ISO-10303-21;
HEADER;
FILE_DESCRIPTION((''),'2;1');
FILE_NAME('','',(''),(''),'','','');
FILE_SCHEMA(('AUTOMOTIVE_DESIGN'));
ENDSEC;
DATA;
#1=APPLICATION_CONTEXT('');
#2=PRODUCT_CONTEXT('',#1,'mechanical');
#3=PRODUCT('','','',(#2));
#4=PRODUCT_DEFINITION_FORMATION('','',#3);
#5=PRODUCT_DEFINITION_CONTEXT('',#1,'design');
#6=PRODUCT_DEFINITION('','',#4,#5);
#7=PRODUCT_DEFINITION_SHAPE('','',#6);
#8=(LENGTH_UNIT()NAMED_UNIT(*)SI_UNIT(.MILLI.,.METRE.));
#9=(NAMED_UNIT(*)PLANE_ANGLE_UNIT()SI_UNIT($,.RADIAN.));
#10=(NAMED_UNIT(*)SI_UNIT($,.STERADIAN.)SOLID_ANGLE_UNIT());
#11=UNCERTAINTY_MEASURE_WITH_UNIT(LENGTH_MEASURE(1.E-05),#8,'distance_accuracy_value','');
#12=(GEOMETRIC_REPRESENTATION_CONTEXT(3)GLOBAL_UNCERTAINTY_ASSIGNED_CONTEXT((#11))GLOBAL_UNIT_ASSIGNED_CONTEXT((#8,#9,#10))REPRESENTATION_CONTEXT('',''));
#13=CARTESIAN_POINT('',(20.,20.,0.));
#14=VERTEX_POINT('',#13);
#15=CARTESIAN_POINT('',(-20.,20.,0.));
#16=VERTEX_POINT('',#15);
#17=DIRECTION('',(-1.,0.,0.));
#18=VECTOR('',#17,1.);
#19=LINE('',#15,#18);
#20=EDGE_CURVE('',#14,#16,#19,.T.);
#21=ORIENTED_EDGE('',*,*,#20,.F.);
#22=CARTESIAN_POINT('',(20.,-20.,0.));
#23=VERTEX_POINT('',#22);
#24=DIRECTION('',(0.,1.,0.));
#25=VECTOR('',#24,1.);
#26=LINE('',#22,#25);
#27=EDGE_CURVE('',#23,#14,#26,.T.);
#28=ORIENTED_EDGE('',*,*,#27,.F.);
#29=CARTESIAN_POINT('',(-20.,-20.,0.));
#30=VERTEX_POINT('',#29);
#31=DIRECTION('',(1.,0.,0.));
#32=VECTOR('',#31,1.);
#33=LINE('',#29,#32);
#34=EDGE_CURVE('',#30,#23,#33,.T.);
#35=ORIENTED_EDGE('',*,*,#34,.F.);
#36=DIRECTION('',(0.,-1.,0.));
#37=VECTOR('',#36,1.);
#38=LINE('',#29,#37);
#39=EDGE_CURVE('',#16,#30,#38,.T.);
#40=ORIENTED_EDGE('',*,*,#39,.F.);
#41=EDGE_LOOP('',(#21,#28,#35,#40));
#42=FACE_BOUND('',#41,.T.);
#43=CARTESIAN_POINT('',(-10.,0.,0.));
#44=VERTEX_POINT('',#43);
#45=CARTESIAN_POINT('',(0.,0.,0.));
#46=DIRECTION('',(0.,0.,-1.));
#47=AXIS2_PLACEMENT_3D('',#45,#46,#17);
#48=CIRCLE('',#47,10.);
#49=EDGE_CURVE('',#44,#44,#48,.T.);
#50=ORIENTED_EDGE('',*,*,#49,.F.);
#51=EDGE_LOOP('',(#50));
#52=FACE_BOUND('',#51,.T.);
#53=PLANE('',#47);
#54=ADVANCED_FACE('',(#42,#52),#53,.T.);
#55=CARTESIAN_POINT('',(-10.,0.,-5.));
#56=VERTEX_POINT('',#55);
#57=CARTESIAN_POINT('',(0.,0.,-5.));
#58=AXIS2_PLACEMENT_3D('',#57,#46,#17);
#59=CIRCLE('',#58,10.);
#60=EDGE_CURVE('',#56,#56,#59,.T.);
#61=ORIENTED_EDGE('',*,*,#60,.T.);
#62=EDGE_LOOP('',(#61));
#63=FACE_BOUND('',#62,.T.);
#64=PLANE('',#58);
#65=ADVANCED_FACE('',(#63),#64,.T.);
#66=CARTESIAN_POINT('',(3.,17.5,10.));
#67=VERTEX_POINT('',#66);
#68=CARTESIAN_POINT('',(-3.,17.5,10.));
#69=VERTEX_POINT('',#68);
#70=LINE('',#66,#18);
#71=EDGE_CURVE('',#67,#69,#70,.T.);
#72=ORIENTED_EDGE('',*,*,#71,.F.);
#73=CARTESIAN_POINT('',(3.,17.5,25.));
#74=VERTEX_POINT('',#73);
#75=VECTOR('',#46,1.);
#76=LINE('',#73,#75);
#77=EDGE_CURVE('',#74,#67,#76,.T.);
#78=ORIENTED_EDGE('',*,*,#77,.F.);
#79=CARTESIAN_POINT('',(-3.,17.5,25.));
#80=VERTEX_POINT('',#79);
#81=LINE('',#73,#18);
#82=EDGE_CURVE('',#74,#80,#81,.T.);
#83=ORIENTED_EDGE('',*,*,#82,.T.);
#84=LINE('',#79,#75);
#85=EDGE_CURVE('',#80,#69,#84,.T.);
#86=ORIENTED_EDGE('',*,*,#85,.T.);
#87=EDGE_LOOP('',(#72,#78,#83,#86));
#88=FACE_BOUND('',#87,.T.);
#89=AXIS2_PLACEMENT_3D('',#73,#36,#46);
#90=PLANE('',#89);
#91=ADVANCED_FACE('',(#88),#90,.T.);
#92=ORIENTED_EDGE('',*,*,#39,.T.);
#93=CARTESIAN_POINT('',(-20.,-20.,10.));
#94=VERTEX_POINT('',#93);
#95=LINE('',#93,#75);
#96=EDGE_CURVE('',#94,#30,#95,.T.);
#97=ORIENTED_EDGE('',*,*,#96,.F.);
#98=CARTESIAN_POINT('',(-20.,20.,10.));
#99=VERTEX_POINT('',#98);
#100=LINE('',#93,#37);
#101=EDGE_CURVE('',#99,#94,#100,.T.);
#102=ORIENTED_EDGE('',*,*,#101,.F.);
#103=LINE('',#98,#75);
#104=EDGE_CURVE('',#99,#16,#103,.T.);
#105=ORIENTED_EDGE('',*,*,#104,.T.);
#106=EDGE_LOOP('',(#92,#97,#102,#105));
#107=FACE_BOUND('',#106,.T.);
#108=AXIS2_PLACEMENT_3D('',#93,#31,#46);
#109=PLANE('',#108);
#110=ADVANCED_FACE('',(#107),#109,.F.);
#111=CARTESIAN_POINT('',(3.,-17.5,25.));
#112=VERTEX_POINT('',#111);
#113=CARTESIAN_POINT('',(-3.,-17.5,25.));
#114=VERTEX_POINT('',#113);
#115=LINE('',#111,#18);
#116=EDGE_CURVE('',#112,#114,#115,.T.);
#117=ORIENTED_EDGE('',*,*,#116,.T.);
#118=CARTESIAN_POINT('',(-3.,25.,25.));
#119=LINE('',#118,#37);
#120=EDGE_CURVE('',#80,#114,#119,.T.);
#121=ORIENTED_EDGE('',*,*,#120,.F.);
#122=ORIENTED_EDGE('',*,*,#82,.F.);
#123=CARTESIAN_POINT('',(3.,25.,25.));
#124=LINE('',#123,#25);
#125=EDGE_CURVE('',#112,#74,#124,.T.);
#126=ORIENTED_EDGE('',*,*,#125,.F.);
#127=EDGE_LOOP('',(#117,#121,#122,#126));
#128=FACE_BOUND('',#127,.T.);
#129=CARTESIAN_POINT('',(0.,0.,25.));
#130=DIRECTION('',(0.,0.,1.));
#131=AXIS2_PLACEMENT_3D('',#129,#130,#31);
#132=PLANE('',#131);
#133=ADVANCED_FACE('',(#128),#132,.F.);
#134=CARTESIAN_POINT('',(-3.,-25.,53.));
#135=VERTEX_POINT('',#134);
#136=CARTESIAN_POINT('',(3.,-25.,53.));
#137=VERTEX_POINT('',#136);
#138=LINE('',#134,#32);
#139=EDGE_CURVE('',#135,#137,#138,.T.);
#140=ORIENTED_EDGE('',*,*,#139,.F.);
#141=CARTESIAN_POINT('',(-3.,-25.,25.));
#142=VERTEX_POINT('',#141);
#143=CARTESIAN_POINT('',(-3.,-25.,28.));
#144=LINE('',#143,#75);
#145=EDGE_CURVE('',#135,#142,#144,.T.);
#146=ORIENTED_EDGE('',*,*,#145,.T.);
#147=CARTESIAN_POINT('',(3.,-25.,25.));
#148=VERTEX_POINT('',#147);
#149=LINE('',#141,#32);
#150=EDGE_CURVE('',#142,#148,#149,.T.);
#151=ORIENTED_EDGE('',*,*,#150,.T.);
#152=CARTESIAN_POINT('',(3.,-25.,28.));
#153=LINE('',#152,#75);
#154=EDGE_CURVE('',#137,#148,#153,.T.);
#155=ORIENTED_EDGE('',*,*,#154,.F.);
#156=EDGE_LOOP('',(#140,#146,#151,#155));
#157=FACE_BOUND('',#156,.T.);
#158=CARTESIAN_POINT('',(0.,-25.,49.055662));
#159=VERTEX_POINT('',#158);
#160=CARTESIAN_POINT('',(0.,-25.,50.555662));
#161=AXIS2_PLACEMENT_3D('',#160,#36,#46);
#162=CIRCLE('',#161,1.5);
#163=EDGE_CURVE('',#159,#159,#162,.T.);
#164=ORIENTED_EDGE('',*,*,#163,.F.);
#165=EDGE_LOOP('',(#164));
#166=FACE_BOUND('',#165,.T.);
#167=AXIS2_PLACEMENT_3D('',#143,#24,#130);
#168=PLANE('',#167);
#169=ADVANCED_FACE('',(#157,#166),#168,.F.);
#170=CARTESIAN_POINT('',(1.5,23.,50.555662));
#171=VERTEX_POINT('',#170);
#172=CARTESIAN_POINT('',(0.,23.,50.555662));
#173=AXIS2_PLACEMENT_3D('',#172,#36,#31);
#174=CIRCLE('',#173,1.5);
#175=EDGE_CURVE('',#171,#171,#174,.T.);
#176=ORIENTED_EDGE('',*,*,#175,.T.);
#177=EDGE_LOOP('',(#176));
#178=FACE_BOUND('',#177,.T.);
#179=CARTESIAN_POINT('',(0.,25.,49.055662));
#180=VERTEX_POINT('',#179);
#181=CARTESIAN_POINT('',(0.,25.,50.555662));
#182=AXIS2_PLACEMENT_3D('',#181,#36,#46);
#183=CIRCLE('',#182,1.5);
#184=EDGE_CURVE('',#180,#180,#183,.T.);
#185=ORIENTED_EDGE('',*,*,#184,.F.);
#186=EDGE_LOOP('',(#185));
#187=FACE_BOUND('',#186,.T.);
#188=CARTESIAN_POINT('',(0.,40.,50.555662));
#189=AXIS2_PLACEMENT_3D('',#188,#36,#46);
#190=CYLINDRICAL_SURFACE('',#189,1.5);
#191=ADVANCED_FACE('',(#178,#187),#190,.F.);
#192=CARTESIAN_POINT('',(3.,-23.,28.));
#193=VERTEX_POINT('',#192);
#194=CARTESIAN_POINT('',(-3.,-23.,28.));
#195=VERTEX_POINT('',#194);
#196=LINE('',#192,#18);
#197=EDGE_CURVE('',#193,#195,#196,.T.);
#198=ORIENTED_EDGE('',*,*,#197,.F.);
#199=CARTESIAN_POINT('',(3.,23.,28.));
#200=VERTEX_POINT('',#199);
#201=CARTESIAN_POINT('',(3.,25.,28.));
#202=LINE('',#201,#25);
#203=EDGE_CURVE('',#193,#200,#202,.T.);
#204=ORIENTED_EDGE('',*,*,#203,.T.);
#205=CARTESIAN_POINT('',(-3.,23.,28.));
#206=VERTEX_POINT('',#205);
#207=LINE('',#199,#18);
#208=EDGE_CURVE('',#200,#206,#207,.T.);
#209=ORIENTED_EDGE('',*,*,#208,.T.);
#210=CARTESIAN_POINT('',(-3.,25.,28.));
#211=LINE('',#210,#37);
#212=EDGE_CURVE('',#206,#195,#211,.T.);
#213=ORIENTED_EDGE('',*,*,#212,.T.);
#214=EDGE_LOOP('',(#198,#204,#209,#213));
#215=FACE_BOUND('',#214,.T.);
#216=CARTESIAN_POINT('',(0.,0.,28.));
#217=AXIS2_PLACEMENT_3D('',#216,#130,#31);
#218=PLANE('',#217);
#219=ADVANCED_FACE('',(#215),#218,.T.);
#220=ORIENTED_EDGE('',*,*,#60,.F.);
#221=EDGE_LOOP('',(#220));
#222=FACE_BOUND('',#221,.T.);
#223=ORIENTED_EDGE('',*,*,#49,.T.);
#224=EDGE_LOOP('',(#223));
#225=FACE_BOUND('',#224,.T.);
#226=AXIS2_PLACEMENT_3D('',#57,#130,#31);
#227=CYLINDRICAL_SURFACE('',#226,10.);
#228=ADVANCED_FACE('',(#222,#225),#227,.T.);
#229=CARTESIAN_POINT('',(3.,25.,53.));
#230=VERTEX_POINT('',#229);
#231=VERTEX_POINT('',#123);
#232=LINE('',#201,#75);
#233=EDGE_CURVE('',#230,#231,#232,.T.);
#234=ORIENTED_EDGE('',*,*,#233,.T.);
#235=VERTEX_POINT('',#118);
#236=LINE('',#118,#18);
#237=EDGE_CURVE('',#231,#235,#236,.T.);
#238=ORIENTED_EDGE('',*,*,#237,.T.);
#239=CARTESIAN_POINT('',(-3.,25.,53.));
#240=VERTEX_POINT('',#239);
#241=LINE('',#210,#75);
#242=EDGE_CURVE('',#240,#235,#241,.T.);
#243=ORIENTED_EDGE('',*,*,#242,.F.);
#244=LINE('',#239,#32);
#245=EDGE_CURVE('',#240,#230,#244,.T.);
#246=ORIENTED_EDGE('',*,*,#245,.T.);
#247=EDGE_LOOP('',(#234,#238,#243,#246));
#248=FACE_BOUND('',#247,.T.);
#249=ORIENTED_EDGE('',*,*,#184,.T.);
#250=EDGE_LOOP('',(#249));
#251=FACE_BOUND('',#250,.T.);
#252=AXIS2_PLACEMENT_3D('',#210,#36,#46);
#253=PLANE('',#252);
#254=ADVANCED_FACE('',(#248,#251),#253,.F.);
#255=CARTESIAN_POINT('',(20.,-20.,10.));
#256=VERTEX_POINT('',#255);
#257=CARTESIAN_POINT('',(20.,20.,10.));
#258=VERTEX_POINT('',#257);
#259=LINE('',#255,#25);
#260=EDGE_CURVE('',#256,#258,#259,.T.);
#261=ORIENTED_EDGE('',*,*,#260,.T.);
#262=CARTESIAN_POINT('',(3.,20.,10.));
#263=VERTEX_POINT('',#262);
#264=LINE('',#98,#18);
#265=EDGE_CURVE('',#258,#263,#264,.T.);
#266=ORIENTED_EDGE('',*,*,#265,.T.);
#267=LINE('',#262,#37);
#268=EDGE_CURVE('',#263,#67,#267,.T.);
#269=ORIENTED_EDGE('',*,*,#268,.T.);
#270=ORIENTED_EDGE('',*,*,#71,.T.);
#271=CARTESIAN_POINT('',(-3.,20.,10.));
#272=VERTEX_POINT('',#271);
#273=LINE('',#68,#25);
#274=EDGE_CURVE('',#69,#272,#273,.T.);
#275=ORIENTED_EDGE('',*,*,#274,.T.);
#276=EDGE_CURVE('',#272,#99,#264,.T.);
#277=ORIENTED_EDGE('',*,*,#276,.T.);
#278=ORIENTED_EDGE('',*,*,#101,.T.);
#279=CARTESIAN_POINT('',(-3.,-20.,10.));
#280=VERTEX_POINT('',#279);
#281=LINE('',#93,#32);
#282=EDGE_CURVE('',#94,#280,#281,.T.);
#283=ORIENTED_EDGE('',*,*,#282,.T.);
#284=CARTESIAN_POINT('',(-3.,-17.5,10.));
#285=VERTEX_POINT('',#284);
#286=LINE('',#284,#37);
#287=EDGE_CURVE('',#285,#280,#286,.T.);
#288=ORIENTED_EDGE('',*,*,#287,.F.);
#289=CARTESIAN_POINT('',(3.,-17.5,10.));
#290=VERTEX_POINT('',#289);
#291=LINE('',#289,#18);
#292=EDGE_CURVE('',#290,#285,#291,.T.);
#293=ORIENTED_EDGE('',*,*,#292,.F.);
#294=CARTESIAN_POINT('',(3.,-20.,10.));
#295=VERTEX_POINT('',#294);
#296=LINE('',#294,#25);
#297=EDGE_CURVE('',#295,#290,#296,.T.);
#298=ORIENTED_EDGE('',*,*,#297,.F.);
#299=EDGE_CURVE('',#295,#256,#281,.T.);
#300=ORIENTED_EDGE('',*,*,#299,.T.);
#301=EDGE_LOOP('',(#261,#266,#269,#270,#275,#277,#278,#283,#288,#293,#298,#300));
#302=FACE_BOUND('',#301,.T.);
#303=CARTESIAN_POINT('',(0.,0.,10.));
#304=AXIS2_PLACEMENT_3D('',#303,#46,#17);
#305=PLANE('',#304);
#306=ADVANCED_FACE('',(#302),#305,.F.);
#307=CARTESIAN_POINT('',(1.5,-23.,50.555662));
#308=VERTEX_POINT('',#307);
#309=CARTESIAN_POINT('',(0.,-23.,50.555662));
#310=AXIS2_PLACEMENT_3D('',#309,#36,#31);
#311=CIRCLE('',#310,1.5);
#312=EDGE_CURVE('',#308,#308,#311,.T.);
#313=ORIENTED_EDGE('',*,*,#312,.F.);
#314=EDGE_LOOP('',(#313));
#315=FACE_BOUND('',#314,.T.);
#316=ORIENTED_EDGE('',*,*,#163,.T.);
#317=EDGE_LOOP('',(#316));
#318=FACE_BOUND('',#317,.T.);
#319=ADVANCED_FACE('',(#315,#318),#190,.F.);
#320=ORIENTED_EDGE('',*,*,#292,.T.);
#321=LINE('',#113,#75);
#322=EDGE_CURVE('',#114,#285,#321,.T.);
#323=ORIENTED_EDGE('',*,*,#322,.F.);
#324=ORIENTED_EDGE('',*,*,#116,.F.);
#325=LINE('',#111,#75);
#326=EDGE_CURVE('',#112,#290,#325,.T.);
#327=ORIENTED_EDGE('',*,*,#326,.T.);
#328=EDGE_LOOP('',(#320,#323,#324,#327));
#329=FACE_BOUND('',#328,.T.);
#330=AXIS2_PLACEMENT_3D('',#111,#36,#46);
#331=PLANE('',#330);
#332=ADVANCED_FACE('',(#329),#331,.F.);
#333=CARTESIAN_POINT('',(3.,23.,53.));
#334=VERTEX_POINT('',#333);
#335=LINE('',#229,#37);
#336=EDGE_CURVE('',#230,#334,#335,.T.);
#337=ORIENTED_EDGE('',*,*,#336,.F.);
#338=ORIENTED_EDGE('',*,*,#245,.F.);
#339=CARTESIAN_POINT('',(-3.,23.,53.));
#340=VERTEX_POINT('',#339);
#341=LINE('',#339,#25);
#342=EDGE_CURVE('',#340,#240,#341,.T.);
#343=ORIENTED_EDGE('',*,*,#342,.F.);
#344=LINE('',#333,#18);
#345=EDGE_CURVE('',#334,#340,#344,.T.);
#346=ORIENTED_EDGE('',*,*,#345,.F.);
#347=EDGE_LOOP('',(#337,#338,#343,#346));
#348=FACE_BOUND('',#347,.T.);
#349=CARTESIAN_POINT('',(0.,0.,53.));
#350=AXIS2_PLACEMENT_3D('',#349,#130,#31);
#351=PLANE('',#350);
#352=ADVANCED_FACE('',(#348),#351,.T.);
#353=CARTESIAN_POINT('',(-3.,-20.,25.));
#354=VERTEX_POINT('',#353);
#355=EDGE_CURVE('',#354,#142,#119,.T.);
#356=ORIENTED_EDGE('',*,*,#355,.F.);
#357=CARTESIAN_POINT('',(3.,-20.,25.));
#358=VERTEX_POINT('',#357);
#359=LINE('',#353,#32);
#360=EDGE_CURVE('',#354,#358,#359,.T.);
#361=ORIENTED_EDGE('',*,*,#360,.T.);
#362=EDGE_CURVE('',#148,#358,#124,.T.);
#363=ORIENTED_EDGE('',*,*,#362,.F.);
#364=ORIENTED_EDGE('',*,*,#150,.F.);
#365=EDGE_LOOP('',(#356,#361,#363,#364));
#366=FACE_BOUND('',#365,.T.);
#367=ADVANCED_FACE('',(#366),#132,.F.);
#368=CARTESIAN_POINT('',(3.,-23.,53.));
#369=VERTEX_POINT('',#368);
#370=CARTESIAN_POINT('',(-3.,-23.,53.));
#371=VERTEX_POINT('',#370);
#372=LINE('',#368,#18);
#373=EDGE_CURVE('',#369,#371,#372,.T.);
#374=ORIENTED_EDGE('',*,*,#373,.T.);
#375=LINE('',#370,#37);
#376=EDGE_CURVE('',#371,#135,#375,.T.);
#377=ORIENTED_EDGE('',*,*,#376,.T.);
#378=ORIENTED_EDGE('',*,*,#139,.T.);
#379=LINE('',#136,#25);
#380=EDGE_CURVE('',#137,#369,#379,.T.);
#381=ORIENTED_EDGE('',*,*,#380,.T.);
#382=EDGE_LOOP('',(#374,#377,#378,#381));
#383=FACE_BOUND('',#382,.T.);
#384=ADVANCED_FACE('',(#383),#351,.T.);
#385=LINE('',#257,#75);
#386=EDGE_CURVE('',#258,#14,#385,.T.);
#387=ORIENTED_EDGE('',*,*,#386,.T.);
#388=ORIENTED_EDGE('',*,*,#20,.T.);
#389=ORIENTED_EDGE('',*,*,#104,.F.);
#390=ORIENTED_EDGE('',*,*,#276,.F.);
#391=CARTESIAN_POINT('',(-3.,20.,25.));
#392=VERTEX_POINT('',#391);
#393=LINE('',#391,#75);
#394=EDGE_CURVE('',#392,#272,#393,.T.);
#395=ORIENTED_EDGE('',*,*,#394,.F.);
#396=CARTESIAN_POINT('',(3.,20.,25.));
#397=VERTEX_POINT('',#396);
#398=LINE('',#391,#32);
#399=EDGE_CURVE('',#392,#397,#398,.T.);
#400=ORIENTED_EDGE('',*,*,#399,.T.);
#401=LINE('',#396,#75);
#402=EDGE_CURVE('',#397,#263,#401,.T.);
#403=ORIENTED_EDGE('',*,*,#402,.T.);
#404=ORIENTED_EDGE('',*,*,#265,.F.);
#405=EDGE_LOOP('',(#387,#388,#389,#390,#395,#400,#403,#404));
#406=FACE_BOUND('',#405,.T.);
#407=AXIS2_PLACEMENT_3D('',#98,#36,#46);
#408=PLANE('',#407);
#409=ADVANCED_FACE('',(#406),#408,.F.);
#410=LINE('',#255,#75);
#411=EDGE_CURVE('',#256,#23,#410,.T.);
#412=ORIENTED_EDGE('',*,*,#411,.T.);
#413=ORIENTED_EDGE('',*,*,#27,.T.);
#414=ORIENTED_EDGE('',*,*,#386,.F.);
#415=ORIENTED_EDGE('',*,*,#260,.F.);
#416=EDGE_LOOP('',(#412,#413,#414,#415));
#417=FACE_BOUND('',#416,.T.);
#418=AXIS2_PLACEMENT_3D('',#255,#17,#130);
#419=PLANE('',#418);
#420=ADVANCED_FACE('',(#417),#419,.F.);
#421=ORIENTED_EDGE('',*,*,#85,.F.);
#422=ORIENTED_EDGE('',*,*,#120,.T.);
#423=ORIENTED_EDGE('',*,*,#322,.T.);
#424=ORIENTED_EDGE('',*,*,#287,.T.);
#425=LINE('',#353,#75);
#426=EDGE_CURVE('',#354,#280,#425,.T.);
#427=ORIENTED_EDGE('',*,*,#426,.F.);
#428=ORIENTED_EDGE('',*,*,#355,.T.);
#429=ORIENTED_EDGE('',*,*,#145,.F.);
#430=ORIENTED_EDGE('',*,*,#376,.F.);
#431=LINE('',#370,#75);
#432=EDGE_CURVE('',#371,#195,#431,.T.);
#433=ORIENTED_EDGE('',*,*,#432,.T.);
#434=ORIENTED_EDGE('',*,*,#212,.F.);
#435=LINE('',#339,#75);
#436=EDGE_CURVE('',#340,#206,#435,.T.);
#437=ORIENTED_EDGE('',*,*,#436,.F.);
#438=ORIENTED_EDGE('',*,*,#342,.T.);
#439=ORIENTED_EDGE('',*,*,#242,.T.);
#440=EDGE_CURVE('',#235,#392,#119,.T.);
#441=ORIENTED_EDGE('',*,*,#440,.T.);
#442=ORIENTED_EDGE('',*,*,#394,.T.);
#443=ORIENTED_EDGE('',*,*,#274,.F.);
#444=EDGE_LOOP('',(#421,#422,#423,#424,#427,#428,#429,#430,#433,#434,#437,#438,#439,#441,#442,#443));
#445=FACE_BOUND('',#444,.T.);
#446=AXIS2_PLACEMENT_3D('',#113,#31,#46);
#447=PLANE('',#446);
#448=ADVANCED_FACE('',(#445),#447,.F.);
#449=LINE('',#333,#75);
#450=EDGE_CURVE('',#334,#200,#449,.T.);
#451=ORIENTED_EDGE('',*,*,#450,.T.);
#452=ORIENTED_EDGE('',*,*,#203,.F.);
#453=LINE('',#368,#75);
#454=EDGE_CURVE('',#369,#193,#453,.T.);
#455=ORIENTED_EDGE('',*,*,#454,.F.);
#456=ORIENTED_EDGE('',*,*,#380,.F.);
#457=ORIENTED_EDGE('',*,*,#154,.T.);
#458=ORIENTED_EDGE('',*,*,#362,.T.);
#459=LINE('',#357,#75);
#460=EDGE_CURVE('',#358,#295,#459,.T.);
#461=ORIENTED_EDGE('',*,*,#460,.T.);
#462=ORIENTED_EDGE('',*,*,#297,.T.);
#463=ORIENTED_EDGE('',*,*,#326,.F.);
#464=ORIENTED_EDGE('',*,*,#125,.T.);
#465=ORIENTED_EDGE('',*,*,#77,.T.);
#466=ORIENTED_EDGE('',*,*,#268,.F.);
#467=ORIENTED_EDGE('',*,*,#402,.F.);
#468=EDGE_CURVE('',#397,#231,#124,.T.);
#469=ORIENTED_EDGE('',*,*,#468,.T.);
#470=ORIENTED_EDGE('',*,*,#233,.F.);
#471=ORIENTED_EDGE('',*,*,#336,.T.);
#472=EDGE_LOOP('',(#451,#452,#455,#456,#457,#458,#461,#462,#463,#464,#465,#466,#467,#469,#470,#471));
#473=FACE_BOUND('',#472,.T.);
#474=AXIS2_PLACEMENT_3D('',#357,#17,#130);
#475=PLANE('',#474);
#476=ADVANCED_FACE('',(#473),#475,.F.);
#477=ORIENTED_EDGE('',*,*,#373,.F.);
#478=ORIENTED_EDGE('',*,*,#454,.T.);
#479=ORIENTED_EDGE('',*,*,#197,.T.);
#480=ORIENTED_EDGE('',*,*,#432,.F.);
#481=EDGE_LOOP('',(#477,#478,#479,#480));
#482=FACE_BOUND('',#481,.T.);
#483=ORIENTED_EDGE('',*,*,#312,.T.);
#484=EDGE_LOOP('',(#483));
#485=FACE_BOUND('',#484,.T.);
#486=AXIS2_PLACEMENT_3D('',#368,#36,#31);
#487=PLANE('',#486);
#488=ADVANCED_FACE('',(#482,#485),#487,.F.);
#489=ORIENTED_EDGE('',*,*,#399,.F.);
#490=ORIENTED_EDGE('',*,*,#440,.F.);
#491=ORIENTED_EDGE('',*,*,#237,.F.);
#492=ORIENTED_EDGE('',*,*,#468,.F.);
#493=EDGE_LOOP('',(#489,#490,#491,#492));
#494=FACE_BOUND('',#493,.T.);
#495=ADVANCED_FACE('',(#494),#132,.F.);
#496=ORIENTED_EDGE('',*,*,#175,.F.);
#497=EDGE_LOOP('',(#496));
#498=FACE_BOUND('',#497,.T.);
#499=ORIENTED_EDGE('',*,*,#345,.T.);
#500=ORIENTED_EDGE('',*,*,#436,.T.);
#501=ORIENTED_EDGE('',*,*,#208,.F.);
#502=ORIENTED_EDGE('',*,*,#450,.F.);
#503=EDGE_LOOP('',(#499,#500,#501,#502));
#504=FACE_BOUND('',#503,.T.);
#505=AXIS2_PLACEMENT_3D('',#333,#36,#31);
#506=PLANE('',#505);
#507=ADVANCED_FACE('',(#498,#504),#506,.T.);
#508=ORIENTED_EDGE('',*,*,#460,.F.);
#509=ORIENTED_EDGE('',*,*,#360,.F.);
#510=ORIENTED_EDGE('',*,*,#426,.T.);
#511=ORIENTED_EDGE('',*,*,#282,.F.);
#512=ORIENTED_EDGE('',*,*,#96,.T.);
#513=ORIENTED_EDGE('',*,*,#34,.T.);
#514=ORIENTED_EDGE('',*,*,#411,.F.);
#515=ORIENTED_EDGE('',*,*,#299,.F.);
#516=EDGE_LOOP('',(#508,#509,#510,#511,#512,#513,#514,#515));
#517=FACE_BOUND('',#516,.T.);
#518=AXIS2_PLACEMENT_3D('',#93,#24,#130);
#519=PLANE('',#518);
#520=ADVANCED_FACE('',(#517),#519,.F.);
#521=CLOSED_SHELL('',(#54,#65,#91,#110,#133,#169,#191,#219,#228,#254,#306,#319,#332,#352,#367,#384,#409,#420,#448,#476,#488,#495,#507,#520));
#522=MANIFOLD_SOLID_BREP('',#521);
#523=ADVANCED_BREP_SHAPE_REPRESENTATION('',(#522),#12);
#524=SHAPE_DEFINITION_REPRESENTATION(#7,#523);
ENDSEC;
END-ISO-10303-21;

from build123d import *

# Parameters (mm, degrees)
SKETCH1_W           = 40
SKETCH1_H           = 40
BOSS_EXTRUDE1_DEPTH = 10
BOSS_EXTRUDE2_DEPTH = 15
SKETCH6_W           = 6
SKETCH6_H           = 50
BOSS_EXTRUDE4_DEPTH = 3
SKETCH7_W           = 6
SKETCH7_H           = 2
BOSS_EXTRUDE5_DEPTH = 25
SKETCH8_R           = 1.5
CUT_EXTRUDE1_DEPTH  = 65
SKETCH10_R          = 10
BOSS_EXTRUDE7_DEPTH = 5


with BuildPart() as part:
    # Sketch1 → Boss-Extrude1 (new body)
    with BuildSketch(Plane.XY):
        Rectangle(SKETCH1_W, SKETCH1_H)
    extrude(amount=BOSS_EXTRUDE1_DEPTH)

    # Sketch2 → Boss-Extrude2 (add)
    with BuildSketch(Plane.XY.offset(10)):
        Polygon((0, -20), (3, -20), (3, -17.5), (-3, -17.5), (-3, -20), align=None)
    boss_extrude2 = extrude(amount=BOSS_EXTRUDE2_DEPTH)

    # Mirror1: Boss-Extrude2 across plane
    add(boss_extrude2.mirror(Plane.ZX))

    # Sketch6 → Boss-Extrude4 (add)
    with BuildSketch(Plane.XY.offset(25)):
        Rectangle(SKETCH6_W, SKETCH6_H)
    extrude(amount=BOSS_EXTRUDE4_DEPTH)

    # Sketch7 → Boss-Extrude5 (add)
    with BuildSketch(Plane.XY.offset(28)):
        with Locations((0, -24)):
            Rectangle(SKETCH7_W, SKETCH7_H)
    boss_extrude5 = extrude(amount=BOSS_EXTRUDE5_DEPTH)

    # Mirror2: Boss-Extrude5 across plane
    add(boss_extrude5.mirror(Plane.ZX))

    # Sketch8 → Cut-Extrude1 (cut)
    with BuildSketch(Plane.XZ.offset(25)):
        with Locations(Location((0, 50.555661978, 0), (0, 0, 270))):
            Circle(SKETCH8_R)
    extrude(amount=-CUT_EXTRUDE1_DEPTH, mode=Mode.SUBTRACT)

    # Sketch10 → Boss-Extrude7 (add)
    with BuildSketch(Plane(origin=(0, 0, 0), x_dir=(-1, 0, 0), z_dir=(0, 0, -1))):
        Circle(SKETCH10_R)
    extrude(amount=BOSS_EXTRUDE7_DEPTH)


solid = part.part
